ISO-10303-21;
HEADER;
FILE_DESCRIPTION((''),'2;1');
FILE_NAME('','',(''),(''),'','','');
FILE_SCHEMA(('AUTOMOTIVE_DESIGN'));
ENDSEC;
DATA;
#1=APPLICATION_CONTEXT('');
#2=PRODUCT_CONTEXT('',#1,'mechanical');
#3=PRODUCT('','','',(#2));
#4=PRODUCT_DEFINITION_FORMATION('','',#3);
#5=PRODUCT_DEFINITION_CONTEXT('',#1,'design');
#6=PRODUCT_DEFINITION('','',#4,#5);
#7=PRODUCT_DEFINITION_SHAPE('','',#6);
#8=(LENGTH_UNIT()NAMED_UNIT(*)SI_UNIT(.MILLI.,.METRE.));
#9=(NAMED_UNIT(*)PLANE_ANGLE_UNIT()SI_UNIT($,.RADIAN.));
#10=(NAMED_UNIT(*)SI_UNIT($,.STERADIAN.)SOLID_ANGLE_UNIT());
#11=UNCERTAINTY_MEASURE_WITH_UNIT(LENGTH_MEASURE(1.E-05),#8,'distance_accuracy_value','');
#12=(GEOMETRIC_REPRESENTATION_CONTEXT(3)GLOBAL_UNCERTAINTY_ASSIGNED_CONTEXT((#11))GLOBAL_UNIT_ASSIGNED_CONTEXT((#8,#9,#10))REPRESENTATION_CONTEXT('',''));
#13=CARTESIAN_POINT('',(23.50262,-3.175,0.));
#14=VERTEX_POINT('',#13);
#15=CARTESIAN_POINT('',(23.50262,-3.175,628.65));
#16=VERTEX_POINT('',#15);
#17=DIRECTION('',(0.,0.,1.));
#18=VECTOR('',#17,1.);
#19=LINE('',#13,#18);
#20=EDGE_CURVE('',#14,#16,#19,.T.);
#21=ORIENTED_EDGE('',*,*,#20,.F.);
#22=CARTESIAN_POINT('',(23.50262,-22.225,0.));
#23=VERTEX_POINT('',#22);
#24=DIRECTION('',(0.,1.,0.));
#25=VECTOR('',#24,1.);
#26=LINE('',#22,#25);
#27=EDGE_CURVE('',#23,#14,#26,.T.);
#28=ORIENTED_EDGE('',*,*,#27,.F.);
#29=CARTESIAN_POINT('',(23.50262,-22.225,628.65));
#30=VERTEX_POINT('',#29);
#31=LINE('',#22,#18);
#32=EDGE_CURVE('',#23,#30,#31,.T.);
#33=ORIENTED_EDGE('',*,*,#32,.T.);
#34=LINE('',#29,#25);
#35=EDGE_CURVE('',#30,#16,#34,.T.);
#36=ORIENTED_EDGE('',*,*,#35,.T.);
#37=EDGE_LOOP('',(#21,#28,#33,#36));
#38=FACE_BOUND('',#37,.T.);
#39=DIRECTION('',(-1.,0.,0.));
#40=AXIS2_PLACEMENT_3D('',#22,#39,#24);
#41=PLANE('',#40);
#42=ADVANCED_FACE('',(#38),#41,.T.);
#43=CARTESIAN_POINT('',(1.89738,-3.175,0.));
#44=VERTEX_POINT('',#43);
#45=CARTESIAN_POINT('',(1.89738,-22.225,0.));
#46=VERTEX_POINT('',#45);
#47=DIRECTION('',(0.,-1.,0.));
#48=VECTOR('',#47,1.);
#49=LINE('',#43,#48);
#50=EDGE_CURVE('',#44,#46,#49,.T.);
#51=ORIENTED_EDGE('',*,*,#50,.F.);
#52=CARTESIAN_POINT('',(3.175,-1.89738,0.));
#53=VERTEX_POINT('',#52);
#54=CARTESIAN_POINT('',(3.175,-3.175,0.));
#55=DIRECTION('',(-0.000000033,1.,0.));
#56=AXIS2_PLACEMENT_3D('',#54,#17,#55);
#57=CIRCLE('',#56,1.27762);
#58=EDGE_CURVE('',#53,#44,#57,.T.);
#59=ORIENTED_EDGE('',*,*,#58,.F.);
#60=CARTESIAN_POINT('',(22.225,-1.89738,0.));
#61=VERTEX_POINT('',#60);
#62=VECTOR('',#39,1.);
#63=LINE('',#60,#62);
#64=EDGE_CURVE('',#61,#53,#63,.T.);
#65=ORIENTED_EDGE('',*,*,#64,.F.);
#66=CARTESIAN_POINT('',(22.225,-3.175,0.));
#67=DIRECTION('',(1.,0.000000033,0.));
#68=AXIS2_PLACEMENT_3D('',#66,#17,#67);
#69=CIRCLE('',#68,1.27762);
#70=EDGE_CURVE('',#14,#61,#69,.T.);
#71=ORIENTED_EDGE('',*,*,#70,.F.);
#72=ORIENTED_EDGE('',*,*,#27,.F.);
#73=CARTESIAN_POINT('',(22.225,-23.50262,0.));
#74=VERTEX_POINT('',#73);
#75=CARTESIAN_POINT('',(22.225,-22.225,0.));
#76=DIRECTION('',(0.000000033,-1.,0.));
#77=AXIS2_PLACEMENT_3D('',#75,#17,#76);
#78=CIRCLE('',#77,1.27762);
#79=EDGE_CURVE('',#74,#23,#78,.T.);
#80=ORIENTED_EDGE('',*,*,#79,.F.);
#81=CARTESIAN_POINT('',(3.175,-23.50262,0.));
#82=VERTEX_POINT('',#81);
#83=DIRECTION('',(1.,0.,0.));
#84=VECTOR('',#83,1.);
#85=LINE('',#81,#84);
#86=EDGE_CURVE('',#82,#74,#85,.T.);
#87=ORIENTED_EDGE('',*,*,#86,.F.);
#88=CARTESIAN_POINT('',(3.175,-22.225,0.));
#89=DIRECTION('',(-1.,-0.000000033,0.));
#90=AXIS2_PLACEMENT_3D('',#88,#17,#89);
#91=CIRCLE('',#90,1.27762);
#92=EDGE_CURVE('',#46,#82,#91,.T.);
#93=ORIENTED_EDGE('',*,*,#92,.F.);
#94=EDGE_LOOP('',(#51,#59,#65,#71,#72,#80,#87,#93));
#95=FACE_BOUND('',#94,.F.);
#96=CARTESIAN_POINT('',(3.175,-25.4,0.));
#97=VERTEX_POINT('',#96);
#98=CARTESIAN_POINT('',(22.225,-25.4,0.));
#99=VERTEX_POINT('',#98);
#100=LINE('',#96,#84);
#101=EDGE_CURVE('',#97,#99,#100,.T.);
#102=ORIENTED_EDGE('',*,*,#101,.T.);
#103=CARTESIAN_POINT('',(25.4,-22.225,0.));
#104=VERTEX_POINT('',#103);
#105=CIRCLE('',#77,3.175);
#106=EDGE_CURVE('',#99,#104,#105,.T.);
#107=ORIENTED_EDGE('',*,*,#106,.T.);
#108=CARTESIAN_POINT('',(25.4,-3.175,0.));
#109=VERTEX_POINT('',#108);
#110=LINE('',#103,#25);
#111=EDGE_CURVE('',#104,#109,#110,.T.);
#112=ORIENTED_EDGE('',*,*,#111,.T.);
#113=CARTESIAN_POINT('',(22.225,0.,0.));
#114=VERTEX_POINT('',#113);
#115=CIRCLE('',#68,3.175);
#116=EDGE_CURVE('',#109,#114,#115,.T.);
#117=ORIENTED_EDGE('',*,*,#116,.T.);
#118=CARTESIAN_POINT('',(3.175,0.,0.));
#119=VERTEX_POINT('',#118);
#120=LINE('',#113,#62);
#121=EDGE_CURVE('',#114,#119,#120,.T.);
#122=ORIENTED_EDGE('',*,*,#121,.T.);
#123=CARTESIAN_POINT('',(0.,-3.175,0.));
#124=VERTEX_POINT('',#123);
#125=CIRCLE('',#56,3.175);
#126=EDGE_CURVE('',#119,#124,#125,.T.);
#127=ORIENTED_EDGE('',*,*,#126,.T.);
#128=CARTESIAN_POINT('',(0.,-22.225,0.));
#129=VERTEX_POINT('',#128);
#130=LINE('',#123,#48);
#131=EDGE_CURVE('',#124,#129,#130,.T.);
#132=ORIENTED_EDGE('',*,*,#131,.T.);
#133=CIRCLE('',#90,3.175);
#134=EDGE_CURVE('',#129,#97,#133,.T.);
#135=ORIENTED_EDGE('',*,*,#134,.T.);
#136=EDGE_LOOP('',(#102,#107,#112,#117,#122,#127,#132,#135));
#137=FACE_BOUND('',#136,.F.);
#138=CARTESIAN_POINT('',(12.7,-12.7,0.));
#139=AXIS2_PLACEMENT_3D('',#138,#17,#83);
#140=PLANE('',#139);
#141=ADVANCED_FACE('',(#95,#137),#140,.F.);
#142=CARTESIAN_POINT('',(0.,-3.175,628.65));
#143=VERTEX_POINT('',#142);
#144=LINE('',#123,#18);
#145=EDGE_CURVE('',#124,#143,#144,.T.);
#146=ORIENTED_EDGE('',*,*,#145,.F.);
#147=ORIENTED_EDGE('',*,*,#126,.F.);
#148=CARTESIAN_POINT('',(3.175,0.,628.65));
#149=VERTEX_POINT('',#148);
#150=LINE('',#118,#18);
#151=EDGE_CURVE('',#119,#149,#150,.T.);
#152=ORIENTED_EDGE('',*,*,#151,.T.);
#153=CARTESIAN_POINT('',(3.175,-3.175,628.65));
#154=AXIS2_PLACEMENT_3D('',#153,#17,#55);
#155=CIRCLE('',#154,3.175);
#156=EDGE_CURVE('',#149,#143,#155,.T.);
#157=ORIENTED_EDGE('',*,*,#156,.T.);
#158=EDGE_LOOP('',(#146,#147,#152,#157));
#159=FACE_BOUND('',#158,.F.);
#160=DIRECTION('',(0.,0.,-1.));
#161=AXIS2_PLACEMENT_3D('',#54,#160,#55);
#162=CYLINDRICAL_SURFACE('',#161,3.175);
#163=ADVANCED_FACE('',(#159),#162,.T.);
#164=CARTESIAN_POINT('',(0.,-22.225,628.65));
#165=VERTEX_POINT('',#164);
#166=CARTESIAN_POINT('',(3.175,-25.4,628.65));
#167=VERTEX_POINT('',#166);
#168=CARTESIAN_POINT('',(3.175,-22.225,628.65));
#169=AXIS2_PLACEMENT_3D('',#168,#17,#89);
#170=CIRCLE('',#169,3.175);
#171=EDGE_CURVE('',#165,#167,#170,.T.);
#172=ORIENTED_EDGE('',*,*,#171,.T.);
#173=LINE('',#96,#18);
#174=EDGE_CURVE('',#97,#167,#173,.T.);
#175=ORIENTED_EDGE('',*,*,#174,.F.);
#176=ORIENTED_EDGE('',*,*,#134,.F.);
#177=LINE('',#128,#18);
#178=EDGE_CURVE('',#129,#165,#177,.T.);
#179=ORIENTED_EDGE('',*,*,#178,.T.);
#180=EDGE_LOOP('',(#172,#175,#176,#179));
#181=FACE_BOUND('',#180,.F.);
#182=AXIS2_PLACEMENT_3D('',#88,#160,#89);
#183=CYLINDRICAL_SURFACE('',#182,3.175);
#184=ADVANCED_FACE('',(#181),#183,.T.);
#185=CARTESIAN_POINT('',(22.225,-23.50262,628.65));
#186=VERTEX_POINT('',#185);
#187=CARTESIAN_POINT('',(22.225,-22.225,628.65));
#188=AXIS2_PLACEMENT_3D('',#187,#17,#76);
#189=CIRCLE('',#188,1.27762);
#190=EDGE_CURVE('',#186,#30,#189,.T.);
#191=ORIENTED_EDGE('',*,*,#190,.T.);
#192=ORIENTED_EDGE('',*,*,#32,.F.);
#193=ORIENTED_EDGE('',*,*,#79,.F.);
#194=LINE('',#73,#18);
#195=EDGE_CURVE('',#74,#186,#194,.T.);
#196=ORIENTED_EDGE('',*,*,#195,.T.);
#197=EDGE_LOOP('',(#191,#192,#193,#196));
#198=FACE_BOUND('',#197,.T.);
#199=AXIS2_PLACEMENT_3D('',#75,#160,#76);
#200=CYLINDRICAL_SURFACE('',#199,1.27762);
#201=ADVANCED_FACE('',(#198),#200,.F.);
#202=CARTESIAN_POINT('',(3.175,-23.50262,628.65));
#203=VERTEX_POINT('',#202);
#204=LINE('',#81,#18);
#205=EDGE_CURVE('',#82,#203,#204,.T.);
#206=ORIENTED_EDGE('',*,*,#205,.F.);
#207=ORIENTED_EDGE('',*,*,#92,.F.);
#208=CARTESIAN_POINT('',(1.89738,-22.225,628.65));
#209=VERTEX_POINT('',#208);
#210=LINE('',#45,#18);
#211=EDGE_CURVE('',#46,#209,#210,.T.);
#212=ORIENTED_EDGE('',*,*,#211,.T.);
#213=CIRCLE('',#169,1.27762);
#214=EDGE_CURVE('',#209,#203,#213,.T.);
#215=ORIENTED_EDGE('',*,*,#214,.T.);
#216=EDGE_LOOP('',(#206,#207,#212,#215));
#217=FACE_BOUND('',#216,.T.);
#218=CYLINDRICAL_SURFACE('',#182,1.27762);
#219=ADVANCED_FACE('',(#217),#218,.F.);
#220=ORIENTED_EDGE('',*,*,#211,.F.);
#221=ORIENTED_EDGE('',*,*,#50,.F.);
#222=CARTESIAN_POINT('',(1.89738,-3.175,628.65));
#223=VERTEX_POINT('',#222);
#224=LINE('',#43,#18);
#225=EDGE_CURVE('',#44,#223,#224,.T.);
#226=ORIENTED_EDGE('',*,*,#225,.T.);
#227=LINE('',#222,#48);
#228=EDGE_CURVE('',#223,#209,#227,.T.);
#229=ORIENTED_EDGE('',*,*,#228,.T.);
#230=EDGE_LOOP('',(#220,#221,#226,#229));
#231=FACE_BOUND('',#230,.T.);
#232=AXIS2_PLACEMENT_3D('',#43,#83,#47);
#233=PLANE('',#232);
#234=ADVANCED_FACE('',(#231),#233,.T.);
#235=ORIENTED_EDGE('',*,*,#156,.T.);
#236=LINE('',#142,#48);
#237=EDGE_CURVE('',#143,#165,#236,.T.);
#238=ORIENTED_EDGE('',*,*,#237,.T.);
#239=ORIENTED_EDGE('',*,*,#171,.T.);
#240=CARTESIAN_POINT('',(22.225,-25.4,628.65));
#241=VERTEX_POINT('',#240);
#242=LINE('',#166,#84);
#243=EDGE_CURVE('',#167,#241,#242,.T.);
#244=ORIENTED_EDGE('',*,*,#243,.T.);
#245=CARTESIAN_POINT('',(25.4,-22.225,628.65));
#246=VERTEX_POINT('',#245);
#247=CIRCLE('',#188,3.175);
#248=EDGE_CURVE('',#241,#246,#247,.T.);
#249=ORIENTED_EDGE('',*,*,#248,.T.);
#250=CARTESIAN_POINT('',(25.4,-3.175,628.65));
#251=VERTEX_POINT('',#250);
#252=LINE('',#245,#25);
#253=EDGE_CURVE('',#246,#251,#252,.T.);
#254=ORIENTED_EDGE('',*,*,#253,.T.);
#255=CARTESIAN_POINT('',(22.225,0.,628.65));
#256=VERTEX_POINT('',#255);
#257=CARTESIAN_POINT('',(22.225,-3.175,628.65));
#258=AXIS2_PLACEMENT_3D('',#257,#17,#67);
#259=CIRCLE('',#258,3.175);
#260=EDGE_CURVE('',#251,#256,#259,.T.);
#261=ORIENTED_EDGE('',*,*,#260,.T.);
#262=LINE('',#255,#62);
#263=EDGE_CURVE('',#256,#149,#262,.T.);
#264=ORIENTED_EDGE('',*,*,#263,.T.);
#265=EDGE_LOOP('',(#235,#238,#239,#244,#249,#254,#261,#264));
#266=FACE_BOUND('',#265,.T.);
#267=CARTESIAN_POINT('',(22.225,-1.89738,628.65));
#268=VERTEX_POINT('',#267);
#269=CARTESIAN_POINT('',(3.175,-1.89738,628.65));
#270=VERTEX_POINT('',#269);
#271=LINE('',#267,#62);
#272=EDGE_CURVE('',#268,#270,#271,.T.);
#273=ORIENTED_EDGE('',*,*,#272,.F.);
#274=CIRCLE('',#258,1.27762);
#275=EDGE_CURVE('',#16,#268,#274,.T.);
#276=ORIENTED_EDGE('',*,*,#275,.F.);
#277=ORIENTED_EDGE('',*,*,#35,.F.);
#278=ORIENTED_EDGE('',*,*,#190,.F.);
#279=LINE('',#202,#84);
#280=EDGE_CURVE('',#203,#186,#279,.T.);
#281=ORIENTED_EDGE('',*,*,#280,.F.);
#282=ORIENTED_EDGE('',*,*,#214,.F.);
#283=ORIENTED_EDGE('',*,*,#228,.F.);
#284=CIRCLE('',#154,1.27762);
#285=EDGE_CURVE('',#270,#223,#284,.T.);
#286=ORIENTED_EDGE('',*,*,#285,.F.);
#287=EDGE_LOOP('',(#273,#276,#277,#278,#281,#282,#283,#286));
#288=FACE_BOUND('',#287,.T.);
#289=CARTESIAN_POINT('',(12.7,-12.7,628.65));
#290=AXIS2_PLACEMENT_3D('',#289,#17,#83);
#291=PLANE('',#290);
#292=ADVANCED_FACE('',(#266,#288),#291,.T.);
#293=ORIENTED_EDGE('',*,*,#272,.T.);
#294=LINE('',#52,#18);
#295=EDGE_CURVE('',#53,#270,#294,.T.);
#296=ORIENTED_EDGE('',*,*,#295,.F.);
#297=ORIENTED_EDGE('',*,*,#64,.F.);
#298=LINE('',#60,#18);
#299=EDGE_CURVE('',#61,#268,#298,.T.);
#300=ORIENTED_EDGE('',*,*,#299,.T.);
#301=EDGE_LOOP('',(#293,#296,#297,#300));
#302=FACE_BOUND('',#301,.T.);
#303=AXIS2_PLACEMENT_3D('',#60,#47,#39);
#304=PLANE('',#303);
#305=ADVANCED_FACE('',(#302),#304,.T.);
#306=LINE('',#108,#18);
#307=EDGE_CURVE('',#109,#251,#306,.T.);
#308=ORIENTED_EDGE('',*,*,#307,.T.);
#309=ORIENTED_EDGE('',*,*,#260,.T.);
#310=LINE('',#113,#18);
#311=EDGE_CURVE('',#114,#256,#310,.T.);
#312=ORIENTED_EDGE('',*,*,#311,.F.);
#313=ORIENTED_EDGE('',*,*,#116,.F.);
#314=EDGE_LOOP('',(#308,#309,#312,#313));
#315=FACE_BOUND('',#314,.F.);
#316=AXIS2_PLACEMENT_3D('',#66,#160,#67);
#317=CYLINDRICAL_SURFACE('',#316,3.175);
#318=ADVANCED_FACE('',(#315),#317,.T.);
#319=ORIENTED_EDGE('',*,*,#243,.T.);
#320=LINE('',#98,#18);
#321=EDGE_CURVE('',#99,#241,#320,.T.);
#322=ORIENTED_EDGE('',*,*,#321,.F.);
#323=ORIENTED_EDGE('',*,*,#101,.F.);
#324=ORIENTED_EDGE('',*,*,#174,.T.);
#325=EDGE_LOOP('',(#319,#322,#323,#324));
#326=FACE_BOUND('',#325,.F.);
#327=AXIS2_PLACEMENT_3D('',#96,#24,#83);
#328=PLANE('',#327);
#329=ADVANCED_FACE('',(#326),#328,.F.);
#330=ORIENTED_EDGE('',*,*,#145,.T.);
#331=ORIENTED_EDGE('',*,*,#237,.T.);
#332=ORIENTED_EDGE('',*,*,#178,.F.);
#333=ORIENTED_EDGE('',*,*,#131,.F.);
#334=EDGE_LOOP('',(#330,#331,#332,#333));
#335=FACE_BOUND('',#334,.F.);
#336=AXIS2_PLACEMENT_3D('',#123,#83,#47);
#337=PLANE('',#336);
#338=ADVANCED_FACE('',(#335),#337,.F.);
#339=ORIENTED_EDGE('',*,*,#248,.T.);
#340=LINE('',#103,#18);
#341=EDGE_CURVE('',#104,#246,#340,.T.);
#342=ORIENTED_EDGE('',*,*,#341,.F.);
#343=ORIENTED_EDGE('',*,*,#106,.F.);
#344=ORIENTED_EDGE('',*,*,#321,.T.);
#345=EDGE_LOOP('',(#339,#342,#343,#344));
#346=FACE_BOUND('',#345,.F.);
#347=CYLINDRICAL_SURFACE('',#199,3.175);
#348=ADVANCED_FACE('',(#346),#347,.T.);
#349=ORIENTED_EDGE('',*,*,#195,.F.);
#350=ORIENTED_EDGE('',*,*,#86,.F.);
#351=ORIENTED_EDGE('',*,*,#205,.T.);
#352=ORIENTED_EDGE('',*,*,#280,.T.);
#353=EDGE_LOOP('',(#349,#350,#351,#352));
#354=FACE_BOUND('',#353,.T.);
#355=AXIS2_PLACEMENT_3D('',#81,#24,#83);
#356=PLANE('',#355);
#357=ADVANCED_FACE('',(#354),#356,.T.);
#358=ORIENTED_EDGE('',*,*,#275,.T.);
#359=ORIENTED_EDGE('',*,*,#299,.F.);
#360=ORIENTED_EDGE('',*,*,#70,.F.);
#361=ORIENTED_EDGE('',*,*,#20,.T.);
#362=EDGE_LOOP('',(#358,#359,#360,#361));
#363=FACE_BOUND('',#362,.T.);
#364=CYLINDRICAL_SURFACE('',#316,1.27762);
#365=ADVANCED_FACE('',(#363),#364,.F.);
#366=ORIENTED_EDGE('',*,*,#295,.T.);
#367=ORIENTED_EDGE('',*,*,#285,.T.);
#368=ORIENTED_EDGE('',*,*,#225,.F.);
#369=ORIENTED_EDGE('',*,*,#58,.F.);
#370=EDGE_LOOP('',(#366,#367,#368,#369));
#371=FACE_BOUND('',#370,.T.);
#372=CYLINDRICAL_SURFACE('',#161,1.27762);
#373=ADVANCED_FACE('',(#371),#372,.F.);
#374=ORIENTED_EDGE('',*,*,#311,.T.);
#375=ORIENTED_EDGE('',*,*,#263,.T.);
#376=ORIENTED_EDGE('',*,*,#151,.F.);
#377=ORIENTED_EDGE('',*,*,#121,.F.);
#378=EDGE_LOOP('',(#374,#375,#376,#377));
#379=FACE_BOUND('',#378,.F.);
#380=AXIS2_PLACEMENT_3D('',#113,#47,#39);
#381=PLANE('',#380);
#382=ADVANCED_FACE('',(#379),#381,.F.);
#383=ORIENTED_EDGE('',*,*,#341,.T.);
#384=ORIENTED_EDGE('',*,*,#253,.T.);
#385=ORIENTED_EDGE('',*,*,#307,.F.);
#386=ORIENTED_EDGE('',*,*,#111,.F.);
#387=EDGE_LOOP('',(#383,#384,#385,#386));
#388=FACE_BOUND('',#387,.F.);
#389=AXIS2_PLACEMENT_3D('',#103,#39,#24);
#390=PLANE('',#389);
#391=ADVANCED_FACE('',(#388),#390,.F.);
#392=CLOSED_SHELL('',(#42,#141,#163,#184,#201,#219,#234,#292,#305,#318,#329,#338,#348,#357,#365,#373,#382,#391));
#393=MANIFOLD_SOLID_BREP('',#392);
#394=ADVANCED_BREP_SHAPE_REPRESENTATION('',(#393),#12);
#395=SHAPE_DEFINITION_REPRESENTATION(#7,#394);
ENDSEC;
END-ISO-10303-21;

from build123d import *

# Parameters (mm, degrees)
F1_DEPTH = 628.65
F2_T     = -1.89738


with BuildPart() as f1:
    # F0 (on Top) → F1 (new body)
    with BuildSketch(Plane.XY):
        with BuildLine():
            Line((22.225, 0), (3.175, 0))
            ThreePointArc((3.175, 0), (0.929936, -0.929936), (0, -3.175))
            Line((0, -3.175), (0, -22.225))
            ThreePointArc((0, -22.225), (0.929936, -24.470064), (3.175, -25.4))
            Line((3.175, -25.4), (22.225, -25.4))
            ThreePointArc((22.225, -25.4), (24.470064, -24.470064), (25.4, -22.225))
            Line((25.4, -22.225), (25.4, -3.175))
            ThreePointArc((25.4, -3.175), (24.470064, -0.929936), (22.225, 0))
        make_face()
    extrude(amount=F1_DEPTH)

    # F2
    f2_openings = [f1.faces().sort_by_distance(p)[0] for p in [
        (12.7, -12.7, 628.65),
        (12.7, -12.7, 0),
    ]]
    offset(amount=F2_T, openings=f2_openings)


solid = f1.part
